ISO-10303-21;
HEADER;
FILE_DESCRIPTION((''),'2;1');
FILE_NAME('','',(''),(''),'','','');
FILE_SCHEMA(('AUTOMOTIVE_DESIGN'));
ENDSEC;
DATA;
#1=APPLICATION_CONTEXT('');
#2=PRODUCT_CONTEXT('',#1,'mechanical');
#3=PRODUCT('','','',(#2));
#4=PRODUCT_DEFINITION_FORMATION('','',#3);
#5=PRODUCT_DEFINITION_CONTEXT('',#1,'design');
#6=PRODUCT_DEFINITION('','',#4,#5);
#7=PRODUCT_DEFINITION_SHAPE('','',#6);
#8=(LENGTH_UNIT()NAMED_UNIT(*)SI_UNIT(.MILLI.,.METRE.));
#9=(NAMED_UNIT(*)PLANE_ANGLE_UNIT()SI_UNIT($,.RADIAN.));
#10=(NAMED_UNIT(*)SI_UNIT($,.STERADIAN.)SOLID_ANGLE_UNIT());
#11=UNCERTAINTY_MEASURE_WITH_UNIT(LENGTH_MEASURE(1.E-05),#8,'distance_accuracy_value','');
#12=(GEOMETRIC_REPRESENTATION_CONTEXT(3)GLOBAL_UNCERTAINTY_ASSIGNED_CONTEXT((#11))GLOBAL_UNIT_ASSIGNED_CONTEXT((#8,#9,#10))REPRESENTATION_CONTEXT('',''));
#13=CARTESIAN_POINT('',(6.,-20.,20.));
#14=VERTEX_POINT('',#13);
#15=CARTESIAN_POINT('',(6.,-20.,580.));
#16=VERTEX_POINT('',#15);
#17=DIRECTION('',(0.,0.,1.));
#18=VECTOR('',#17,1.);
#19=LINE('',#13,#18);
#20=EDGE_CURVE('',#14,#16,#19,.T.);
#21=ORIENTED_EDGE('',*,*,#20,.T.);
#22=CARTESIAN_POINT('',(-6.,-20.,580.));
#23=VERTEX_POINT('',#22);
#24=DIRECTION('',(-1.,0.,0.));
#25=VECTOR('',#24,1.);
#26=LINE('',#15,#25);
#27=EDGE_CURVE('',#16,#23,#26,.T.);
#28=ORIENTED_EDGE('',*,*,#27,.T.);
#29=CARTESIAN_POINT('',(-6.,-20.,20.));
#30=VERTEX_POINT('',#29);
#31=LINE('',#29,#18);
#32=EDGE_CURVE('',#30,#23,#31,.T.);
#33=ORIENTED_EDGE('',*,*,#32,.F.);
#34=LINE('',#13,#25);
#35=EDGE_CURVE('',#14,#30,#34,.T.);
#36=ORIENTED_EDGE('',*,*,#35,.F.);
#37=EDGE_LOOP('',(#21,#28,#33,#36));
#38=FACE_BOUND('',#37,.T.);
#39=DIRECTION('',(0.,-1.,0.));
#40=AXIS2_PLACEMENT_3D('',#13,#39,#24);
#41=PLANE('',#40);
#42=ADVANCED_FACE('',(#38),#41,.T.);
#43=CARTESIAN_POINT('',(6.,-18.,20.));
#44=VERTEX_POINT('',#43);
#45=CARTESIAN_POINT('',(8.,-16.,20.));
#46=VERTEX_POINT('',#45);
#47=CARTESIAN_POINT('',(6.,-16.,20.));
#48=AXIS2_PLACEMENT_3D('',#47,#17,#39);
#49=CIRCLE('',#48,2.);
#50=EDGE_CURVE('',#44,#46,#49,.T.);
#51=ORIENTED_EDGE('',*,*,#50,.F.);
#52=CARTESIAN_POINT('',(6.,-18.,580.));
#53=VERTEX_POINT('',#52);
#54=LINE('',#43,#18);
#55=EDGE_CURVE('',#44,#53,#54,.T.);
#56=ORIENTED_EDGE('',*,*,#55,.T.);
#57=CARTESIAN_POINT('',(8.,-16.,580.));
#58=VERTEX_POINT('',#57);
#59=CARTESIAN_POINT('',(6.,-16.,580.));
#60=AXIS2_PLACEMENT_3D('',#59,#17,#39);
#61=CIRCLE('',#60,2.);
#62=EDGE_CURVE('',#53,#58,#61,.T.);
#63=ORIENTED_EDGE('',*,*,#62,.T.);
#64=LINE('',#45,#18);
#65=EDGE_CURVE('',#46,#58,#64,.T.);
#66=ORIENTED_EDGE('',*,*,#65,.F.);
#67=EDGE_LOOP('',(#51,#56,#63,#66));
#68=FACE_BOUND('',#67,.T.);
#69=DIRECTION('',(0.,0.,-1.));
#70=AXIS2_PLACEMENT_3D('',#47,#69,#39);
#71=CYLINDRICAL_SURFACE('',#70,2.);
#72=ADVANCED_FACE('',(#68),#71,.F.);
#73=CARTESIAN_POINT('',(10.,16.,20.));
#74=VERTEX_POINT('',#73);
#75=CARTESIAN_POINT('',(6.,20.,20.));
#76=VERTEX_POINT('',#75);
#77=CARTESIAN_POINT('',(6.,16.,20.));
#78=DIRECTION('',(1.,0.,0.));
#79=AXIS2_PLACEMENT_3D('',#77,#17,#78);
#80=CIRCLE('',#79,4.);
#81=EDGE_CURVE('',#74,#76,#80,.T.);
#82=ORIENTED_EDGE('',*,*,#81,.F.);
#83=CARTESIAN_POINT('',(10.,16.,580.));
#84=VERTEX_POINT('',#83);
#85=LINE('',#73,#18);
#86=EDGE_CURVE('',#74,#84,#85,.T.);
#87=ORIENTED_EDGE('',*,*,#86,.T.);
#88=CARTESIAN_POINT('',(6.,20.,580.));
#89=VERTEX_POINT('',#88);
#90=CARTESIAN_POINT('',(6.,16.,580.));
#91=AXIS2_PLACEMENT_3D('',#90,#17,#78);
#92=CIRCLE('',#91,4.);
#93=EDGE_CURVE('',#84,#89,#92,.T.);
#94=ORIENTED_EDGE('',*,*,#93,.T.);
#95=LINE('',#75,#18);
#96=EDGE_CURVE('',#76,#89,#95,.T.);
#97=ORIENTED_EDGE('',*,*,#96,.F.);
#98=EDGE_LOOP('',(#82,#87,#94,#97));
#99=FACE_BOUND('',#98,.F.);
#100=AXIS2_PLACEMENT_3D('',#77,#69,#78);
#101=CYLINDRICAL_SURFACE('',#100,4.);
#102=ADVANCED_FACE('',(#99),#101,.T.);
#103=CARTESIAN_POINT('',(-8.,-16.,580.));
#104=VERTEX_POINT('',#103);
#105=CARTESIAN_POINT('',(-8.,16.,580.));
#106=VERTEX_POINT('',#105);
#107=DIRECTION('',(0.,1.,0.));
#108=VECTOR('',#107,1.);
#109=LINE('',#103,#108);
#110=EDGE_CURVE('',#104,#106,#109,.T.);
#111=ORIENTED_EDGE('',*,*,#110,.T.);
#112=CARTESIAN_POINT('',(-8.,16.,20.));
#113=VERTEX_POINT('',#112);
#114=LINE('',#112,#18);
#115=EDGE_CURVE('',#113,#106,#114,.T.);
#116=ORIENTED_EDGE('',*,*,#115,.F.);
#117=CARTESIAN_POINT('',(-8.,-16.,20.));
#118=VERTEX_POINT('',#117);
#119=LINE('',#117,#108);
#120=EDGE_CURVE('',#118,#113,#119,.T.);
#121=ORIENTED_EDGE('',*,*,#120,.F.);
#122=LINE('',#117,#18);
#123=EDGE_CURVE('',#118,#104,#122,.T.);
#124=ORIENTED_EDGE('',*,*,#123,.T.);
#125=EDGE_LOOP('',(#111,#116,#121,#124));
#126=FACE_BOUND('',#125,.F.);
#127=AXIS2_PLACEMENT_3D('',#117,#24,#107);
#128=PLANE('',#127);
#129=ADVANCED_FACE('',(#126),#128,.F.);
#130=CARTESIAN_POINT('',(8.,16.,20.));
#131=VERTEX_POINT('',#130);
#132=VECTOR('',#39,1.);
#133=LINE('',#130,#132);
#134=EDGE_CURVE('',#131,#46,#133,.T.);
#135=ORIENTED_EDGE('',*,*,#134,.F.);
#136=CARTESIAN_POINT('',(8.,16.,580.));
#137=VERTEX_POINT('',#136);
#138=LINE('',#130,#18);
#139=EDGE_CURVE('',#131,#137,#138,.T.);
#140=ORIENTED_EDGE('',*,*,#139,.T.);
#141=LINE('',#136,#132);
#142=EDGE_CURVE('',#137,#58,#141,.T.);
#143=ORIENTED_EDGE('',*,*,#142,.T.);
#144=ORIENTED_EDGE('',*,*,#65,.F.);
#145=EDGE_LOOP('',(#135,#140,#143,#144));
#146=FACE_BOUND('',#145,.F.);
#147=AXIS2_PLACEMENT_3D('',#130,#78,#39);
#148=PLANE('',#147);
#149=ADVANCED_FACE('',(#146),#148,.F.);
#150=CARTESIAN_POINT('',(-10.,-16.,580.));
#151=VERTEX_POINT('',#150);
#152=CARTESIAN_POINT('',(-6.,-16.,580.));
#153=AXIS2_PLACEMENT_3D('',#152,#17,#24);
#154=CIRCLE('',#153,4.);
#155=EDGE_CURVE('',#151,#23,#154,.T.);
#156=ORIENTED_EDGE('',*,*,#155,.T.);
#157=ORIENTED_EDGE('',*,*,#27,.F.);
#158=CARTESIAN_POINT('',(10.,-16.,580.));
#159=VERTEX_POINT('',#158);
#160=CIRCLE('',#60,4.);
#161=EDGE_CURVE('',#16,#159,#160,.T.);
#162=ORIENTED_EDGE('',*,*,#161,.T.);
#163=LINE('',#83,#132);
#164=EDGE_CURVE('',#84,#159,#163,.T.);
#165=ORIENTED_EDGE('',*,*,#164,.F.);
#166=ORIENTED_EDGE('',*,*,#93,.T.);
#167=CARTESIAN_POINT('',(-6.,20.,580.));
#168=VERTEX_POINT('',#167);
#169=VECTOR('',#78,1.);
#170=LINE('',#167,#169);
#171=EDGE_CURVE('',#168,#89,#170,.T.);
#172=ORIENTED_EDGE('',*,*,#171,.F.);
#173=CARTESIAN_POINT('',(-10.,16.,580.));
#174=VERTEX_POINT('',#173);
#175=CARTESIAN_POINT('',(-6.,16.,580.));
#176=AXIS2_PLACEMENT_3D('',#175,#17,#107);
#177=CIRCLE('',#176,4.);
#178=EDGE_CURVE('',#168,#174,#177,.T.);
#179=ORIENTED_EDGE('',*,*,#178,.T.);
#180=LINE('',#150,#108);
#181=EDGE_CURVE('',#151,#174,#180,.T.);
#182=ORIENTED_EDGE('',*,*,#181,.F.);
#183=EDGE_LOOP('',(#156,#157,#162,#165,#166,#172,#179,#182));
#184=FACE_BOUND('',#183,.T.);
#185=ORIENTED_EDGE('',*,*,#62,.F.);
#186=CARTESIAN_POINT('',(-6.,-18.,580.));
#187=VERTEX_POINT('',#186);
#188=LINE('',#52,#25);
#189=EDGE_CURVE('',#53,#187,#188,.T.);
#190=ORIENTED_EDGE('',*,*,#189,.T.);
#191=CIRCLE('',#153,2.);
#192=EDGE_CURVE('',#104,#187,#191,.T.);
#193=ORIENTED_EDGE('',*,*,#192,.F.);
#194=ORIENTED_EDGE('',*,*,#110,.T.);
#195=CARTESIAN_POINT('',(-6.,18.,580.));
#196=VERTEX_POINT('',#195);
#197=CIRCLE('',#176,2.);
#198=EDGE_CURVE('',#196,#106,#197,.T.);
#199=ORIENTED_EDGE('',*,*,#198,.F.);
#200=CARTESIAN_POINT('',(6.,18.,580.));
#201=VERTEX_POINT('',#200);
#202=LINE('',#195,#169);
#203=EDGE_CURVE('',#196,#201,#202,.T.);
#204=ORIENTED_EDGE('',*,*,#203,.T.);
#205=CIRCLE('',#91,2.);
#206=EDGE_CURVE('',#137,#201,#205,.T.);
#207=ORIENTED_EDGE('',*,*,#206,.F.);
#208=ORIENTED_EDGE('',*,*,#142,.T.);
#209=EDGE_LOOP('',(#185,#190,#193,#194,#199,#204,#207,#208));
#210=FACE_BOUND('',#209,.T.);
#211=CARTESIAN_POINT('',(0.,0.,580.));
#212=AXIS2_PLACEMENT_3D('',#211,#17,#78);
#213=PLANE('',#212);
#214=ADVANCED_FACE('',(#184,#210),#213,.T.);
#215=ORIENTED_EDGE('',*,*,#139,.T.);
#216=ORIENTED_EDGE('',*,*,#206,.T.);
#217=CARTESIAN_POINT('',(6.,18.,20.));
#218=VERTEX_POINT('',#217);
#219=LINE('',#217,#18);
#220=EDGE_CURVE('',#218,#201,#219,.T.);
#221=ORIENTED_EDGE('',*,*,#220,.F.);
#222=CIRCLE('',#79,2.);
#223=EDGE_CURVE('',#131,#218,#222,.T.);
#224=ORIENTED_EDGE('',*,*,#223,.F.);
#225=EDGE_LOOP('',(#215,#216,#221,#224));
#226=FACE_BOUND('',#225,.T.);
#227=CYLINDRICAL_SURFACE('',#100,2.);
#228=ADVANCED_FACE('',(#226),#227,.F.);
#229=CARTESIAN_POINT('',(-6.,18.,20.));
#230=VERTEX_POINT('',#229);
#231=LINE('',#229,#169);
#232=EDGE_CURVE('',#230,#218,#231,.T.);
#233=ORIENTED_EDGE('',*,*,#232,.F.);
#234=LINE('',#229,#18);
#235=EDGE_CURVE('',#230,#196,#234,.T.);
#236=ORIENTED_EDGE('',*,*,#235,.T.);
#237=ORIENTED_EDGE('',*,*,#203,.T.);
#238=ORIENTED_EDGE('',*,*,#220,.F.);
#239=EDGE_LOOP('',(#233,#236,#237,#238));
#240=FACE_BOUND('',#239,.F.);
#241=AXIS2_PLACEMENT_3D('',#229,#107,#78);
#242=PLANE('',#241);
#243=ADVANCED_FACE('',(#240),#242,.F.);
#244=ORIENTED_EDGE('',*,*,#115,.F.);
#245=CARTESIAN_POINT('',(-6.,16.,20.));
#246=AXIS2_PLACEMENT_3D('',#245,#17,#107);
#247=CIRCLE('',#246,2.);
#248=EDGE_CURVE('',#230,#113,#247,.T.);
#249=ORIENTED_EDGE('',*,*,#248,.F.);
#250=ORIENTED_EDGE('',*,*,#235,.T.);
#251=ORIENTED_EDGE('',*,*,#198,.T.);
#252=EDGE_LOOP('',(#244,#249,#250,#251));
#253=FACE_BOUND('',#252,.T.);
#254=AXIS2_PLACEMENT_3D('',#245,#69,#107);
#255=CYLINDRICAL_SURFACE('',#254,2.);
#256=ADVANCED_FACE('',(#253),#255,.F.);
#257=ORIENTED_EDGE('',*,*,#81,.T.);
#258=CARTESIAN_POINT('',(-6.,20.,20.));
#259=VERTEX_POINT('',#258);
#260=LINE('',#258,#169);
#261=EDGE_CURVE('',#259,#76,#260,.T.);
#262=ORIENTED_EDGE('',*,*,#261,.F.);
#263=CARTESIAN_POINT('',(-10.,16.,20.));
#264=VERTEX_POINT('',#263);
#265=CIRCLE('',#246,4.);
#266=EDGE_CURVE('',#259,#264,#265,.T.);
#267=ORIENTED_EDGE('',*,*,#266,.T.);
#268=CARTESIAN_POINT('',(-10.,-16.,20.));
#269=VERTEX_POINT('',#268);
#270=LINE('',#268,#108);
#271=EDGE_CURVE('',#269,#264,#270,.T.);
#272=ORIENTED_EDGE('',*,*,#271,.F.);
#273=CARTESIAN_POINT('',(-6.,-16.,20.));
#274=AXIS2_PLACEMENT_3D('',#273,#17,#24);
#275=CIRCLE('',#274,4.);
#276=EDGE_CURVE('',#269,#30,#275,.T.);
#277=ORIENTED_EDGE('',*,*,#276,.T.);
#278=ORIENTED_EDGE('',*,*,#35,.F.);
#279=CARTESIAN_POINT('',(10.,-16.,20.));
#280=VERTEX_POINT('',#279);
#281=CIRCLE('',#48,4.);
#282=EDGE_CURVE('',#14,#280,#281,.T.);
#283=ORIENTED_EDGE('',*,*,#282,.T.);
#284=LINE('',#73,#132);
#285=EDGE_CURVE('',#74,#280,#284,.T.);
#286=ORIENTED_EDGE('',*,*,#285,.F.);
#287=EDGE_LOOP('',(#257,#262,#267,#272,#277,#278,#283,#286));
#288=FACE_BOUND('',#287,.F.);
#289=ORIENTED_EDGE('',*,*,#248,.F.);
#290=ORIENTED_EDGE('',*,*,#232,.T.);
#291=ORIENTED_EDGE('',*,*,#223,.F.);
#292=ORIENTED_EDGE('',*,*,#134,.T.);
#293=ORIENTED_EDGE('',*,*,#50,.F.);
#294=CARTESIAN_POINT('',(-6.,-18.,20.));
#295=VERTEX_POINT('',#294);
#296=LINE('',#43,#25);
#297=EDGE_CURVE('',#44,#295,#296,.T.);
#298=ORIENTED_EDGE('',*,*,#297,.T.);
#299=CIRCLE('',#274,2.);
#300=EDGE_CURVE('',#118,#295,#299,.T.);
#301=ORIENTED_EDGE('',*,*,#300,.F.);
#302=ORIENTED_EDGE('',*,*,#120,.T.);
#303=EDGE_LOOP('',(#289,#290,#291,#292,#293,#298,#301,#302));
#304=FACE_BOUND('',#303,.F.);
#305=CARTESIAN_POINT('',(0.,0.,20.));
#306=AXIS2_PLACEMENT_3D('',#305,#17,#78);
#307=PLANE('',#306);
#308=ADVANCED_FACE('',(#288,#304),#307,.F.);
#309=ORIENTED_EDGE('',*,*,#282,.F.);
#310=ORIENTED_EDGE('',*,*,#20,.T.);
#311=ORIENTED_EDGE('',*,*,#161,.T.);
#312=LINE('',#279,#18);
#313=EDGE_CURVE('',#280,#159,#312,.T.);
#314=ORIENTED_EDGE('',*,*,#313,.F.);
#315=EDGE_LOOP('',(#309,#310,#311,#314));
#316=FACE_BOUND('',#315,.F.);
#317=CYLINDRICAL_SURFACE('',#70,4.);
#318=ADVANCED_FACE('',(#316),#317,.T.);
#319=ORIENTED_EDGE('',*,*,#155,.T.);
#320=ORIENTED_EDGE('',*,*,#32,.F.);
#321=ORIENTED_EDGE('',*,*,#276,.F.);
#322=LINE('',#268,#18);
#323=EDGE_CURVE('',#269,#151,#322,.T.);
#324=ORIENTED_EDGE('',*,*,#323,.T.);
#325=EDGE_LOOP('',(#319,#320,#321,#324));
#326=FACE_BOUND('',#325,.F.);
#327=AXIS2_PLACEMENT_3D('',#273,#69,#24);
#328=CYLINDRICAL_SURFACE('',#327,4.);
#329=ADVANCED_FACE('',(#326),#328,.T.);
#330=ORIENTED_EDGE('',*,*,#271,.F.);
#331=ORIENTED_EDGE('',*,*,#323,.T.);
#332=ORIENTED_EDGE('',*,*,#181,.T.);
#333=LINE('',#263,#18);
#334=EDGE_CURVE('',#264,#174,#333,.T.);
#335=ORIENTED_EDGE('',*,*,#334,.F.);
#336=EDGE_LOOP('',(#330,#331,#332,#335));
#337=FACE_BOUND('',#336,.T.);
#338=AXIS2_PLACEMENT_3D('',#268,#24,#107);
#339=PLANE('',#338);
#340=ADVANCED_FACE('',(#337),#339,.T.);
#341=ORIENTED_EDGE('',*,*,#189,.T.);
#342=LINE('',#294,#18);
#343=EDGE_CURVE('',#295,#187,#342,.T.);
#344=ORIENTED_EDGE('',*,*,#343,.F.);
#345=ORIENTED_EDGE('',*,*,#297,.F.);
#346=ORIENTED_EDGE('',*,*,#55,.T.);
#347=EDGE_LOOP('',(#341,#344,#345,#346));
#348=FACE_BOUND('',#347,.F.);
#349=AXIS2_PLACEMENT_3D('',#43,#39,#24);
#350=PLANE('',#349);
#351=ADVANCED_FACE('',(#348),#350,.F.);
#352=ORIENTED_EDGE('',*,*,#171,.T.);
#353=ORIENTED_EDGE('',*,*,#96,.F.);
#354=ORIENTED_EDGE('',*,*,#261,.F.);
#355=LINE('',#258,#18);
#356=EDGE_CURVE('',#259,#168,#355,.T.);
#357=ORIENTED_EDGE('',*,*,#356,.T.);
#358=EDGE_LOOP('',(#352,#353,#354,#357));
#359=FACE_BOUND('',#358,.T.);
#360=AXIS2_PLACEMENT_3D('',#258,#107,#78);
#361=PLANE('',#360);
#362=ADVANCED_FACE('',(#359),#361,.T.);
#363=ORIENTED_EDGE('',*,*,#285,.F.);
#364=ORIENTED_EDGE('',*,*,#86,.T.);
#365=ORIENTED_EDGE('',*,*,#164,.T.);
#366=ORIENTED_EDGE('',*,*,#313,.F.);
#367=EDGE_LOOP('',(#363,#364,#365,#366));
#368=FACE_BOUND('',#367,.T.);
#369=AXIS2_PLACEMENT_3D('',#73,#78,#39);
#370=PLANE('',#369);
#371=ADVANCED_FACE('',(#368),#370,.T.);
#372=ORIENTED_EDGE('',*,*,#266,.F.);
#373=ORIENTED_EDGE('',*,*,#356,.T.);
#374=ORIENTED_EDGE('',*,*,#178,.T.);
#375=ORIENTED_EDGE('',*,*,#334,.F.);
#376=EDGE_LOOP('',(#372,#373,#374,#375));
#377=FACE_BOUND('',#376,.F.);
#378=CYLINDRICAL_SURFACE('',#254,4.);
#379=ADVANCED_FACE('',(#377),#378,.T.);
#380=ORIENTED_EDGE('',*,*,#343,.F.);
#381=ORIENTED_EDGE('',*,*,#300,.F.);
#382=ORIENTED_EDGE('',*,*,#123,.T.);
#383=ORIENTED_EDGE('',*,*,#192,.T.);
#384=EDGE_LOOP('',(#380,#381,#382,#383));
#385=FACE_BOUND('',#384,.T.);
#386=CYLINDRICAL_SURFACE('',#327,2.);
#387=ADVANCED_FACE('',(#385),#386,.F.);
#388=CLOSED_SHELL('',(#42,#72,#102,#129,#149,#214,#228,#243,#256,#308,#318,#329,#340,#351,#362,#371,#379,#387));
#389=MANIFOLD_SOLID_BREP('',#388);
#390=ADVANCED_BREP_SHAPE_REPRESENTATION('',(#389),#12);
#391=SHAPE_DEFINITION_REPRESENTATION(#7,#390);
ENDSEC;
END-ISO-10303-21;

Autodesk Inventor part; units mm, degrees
ref_plane "YZ Plane" through (0, 0, 0) normal (1, 0, 0) x (0, 1, 0)
ref_plane "Start Plane" through (0, 0, 20) normal (0, 0, 1) x (1, 0, 0)
ref_plane "End Plane" through (0, 0, 580) normal (0, 0, 1) x (1, 0, 0)
sketch "Sketch" plane through (0, 0, 0) normal (0, 0, 1) x (1, 0, 0)
  line L0 (-10, -16) -> (-10, 16)
  line L1 (-6, 20) -> (6, 20)
  line L2 (10, 16) -> (10, -16)
  line L3 (6, -20) -> (-6, -20)
  arc A0 (-10, -16) -> (-6, -20) centre (-6, -16) ccw
  arc A1 (10, 16) -> (6, 20) centre (6, 16) ccw
  arc A2 (-6, 20) -> (-10, 16) centre (-6, 16) ccw
  arc A3 (6, -20) -> (10, -16) centre (6, -16) ccw
  arc A4 (-6, 18) -> (-8, 16) centre (-6, 16) ccw
  line L4 (-6, 18) -> (6, 18)
  arc A5 (8, 16) -> (6, 18) centre (6, 16) ccw
  line L5 (8, 16) -> (8, -16)
  arc A6 (6, -18) -> (8, -16) centre (6, -16) ccw
  line L6 (6, -18) -> (-6, -18)
  arc A7 (-8, -16) -> (-6, -18) centre (-6, -16) ccw
  line L7 (-8, -16) -> (-8, 16)
  line L8 (0, 29.1598) -> (0, -29.1598) construction
  line L9 (-15.1598, 0) -> (15.1598, 0) construction
  dimension "d7" = 4
  dimension "d9" = 20
  dimension "d11" = 40
  dimension "d12" = 2
  dimension "d15" = 10
  dimension "d16" = 20
extrude "Body" add sketch "Sketch" along normal up to surface (560 mm away) from surface at 20
sketch "Sketch3" plane through (0, 0, 0) normal (0, 0, 1) x (1, 0, 0)
  line L0 (0, 0) -> (10, 0)
ref_plane "Work Plane3" through (0, 0, 0) normal (0, -1, 0) x (1, 0, 0)
sketch "Sketch4" plane through (0, 0, 0) normal (0, -1, 0) x (1, 0, 0)
  line L0 (-2, 20) -> (12, 20) projected
  line L1 (-2, 580) -> (12, 580) projected
  dimension "d18" = 560
equation "\"d7\" = G_IR"
equation "\"d9\" = G_W"
equation "\"d11\" = G_H"
equation "\"d12\" = G_T"
equation "\"d15\" = 0.5 * d9"
equation "\"d16\" = 0.5 * d11"
equation "\"d3\" = G_L"
equation "\"G_W\" = 20"
equation "\"G_H\" = 40"
equation "\"G_T\" = 2"
equation "\"G_IR\" = 4"
equation "\"G_L\" = d18"
properties part number "ISO 4019 - 40x20x2 - 560" material "Steel, Mild"
